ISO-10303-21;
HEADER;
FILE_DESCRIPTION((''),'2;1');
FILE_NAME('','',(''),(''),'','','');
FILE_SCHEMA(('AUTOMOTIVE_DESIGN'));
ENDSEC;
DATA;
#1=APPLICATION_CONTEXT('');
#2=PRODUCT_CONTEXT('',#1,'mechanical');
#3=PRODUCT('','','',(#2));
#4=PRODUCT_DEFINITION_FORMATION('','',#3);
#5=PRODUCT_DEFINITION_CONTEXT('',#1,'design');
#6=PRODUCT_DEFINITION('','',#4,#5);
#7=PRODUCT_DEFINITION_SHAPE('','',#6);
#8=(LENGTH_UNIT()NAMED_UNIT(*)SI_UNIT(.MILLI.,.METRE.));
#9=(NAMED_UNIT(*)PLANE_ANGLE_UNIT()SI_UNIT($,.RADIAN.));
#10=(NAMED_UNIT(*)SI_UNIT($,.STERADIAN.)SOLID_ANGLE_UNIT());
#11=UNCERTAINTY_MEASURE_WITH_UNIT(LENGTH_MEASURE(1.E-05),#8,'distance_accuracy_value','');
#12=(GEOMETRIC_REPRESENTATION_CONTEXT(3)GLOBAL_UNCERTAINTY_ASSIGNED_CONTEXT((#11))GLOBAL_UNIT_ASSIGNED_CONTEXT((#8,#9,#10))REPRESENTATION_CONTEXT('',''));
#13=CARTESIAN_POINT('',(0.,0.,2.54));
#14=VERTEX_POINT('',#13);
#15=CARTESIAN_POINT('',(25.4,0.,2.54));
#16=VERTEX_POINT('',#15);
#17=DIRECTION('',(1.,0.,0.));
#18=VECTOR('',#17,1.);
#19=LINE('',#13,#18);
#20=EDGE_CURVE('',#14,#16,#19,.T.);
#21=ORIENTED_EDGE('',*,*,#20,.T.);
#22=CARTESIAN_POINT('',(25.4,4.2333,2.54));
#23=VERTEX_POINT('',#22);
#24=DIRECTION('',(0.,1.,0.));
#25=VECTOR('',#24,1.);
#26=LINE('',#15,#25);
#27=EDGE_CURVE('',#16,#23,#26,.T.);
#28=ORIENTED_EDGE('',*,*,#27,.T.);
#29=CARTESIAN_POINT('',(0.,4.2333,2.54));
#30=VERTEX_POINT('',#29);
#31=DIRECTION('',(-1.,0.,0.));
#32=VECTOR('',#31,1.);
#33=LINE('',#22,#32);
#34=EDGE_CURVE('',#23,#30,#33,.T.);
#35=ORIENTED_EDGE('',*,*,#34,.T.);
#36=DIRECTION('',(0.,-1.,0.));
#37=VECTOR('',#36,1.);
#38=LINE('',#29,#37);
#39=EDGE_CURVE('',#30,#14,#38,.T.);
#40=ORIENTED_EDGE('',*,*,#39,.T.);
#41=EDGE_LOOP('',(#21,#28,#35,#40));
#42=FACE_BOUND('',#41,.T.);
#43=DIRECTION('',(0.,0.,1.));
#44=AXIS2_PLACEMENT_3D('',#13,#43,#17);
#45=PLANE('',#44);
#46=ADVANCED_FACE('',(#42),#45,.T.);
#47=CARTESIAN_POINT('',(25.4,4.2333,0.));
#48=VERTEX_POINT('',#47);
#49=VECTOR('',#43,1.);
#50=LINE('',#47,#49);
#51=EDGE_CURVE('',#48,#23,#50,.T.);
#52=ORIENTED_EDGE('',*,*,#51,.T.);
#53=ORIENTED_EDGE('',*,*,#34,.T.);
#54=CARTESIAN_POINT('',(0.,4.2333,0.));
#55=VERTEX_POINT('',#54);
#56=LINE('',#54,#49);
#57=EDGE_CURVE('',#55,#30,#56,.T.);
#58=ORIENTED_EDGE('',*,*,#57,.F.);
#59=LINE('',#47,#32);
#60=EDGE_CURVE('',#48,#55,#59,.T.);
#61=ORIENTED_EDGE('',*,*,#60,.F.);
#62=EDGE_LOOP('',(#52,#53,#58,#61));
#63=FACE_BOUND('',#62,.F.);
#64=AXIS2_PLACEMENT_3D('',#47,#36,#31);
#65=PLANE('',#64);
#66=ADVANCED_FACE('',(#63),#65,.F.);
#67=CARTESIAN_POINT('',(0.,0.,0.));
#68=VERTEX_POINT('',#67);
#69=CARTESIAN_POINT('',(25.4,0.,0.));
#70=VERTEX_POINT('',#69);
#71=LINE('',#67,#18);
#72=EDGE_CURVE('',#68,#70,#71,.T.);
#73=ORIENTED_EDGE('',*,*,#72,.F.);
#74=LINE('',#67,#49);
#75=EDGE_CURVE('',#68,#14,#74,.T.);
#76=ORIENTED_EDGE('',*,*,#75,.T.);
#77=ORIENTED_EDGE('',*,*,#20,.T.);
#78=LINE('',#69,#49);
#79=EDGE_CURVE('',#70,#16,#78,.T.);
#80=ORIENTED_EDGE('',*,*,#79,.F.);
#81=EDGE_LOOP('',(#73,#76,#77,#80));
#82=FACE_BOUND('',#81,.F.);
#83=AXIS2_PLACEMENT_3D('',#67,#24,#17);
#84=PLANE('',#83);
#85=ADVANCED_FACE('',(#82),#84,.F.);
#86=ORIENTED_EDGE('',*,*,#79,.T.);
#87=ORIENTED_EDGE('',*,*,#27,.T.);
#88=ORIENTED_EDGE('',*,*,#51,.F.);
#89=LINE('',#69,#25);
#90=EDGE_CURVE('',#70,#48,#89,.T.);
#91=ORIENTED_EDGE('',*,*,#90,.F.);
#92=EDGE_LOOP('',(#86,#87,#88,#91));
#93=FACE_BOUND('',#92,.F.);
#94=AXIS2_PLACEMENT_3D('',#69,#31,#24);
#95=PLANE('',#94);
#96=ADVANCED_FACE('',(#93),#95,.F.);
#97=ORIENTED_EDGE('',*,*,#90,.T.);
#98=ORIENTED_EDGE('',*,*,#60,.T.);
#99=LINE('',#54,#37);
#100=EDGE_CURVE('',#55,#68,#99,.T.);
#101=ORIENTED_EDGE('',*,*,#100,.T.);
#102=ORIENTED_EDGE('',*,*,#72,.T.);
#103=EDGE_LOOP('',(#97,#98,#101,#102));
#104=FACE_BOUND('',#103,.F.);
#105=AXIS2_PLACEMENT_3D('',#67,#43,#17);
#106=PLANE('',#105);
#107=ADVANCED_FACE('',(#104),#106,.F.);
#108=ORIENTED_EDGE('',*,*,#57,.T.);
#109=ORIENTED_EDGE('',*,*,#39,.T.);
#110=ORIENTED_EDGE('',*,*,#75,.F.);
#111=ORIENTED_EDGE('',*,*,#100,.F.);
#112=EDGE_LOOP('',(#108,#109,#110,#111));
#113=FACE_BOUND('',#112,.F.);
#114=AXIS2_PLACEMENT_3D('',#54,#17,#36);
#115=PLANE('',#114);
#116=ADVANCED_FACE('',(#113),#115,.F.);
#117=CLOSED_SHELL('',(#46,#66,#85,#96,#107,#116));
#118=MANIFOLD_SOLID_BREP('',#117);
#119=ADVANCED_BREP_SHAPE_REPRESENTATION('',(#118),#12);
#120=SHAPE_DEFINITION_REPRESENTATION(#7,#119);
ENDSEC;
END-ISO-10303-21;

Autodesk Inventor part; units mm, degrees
ref_plane "YZ Plane" through (0, 0, 0) normal (1, 0, 0) x (0, 1, 0)
ref_plane "XZ Plane" through (0, 0, 0) normal (0, 1, 0) x (-1, 0, 0)
ref_plane "XY Plane" through (0, 0, 0) normal (0, 0, 1) x (1, 0, 0)
sketch "Sketch1" plane through (0, 0, 0) normal (0, 0, 1) x (1, 0, 0)
  line L0 (0, 0) -> (25.4, 0)
  line L1 (25.4, 0) -> (25.4, 4.2333)
  line L2 (25.4, 4.2333) -> (0, 4.2333)
  line L3 (0, 4.2333) -> (0, 0)
  dimension "d0" = 25.4
  dimension "d1" = 4.2333
extrude "Extrusion1" add sketch "Sketch1" along normal blind 2.54
sketch "Sketch2" plane through (0, 0, 2.54) normal (0, 0, 1) x (1, 0, 0)
  line L0 (0, 0) -> (25.4, 0) projected
  line L1 (12.7, 0) -> (12.7, 4.2333)
  line L2 (25.4, 4.2333) -> (0, 4.2333) projected
  line L3 (25.4, 0) -> (25.4, 4.2333) projected
  line L4 (6.35, 0) -> (6.35, 4.2333)
  line L5 (19.05, 0) -> (19.05, 4.2333)
  line L6 (0, 4.2333) -> (0, 0) projected
  line L7 (10.8658, 1.0986) -> (12.7, 1.0986) construction
  line L8 (12.7, 1.0986) -> (12.7, 0) construction
  line L9 (12.7, 0) -> (10.8658, 0) construction
  line L10 (10.8658, 0) -> (10.8658, 1.0986) construction
  line L11 (4.7138, 1.0986) -> (6.2582, 1.0986) construction
  line L12 (6.2582, 1.0986) -> (6.2582, 0.1371) construction
  line L13 (6.2582, 0.1371) -> (4.7138, 0.1371) construction
  line L14 (4.7138, 0.1371) -> (4.7138, 1.0986) construction
  line L15 (17.4571, 1.0187) -> (19.0015, 1.0187) construction
  line L16 (19.0015, 1.0187) -> (19.0015, 0.0572) construction
  line L17 (19.0015, 0.0572) -> (17.4571, 0.0572) construction
  line L18 (17.4571, 0.0572) -> (17.4571, 1.0187) construction
  line L19 (3.175, 0) -> (3.175, 2.1167)
  line L20 (9.525, 0) -> (9.525, 2.1167)
  line L21 (15.875, 0) -> (15.875, 2.1082)
  line L22 (22.225, 0) -> (22.225, 2.1082)
  line L23 (22.4144, 0.8901) -> (25.3778, 0.8901) construction
  line L24 (25.3778, 0.8901) -> (25.3778, 0.007) construction
  line L25 (25.3778, 0.007) -> (22.4144, 0.007) construction
  line L26 (22.4144, 0.007) -> (22.4144, 0.8901) construction
properties part number "1 inch Ruler"
